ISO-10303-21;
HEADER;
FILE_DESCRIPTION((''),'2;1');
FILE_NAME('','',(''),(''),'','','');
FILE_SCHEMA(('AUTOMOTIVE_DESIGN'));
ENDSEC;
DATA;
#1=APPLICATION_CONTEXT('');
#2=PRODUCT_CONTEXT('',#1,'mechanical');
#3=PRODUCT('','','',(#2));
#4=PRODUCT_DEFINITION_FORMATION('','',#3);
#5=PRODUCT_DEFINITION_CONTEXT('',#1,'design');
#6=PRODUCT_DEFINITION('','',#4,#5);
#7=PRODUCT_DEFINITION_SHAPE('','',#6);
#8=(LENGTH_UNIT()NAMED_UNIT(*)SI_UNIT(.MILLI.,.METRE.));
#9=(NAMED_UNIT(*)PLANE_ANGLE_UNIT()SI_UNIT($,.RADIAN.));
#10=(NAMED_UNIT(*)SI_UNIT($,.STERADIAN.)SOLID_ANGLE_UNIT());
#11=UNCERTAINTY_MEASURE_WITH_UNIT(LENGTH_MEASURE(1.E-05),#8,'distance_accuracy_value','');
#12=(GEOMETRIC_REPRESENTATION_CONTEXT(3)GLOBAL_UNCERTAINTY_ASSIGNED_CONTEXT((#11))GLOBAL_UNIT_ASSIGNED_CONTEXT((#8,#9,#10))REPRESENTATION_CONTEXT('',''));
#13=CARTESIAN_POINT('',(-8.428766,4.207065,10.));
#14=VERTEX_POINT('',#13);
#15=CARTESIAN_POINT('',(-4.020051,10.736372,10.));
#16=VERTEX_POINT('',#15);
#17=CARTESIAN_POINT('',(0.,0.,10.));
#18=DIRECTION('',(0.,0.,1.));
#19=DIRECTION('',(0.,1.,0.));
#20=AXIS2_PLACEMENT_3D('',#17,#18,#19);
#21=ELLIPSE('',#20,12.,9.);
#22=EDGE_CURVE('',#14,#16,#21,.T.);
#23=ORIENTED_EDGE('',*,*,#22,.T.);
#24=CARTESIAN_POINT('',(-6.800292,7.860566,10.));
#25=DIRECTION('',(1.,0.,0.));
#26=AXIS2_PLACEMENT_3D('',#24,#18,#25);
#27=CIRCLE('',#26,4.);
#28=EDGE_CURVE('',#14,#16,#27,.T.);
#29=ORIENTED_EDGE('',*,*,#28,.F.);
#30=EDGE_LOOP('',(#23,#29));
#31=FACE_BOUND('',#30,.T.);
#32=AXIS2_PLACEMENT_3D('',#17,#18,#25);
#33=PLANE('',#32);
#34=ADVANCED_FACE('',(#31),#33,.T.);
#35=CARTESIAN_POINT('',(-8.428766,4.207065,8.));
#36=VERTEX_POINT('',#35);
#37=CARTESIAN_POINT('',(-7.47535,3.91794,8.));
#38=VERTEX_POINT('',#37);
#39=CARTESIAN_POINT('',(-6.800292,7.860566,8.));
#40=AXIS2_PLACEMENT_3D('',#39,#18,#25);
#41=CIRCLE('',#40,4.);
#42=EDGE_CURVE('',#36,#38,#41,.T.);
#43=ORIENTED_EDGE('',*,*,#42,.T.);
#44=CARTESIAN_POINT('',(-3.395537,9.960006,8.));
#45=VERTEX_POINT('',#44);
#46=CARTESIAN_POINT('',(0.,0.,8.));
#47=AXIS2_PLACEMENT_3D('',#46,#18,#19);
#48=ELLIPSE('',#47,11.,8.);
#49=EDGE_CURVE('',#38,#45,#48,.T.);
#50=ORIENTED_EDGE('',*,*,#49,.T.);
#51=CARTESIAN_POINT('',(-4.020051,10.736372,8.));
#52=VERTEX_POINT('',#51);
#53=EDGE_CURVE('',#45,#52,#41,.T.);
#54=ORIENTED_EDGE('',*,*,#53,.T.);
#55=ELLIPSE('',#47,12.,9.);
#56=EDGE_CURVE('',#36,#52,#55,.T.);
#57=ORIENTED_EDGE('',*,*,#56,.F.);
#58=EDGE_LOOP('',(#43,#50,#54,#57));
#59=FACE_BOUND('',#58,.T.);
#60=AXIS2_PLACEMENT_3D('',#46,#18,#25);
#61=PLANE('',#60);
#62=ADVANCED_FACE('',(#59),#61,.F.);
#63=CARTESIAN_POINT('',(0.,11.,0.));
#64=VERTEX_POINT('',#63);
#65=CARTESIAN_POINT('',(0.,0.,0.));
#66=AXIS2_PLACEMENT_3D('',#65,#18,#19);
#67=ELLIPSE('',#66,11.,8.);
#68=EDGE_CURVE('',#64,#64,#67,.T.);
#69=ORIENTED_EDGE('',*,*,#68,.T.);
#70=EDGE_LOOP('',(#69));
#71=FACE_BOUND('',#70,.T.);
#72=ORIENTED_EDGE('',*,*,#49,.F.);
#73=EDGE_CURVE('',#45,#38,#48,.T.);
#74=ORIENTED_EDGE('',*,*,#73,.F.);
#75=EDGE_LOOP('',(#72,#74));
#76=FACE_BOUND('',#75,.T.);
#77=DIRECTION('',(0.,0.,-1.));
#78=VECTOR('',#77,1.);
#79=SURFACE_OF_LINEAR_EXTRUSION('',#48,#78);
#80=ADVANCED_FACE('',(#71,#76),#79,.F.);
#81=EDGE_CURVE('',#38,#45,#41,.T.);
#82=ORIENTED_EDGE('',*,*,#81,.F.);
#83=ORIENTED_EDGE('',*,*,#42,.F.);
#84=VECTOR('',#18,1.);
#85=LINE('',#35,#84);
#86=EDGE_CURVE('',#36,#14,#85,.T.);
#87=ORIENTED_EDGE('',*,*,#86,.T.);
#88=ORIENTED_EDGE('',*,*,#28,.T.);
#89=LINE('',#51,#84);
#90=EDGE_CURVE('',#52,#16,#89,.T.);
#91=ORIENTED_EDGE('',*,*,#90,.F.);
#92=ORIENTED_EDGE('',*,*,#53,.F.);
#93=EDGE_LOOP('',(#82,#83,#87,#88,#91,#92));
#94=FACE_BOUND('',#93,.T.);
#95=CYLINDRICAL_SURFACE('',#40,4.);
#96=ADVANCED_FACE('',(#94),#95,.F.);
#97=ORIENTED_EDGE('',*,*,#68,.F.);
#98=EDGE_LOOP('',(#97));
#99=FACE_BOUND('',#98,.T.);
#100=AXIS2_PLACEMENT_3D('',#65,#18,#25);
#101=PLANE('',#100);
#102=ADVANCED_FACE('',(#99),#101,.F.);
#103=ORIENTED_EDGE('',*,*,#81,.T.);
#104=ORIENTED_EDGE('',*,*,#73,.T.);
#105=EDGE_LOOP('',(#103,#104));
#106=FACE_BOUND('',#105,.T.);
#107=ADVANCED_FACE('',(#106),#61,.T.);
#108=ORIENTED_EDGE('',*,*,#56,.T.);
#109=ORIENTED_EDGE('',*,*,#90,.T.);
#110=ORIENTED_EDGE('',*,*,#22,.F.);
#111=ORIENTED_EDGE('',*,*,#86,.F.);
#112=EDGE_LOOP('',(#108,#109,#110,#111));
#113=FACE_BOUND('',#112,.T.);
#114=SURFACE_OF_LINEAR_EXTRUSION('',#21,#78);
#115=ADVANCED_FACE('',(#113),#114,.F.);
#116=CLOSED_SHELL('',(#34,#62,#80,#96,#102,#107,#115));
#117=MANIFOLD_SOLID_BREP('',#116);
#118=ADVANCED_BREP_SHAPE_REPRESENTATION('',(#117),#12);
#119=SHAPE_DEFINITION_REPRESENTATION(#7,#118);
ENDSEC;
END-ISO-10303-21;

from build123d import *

# Parameters (mm, degrees)
CROQUIS1_RX             = 11
CROQUIS1_RY             = 8
SALIENTE_EXTRUIR1_DEPTH = 8
CROQUIS2_RX             = 12
CROQUIS2_RY             = 9
SALIENTE_EXTRUIR2_DEPTH = 2
CROQUIS3_R              = 4
CORTAR_EXTRUIR1_DEPTH   = 2


with BuildPart() as part:
    # Croquis1 → Saliente-Extruir1 (new body)
    with BuildSketch(Plane.XY):
        with Locations(Location((0, 0), (0, 0, 90))):
            Ellipse(CROQUIS1_RX, CROQUIS1_RY)
    extrude(amount=SALIENTE_EXTRUIR1_DEPTH)

    # Croquis2 → Saliente-Extruir2 (add)
    with BuildSketch(Plane.XY.offset(8)):
        with Locations(Location((0, 0), (0, 0, 90))):
            Ellipse(CROQUIS2_RX, CROQUIS2_RY)
    extrude(amount=SALIENTE_EXTRUIR2_DEPTH)

    # Croquis3 → Cortar-Extruir1 (cut)
    with BuildSketch(Plane.XY.offset(10)):
        with Locations((-6.800291845, 7.860566089)):
            Circle(CROQUIS3_R)
    extrude(amount=-CORTAR_EXTRUIR1_DEPTH, mode=Mode.SUBTRACT)


solid = part.part
